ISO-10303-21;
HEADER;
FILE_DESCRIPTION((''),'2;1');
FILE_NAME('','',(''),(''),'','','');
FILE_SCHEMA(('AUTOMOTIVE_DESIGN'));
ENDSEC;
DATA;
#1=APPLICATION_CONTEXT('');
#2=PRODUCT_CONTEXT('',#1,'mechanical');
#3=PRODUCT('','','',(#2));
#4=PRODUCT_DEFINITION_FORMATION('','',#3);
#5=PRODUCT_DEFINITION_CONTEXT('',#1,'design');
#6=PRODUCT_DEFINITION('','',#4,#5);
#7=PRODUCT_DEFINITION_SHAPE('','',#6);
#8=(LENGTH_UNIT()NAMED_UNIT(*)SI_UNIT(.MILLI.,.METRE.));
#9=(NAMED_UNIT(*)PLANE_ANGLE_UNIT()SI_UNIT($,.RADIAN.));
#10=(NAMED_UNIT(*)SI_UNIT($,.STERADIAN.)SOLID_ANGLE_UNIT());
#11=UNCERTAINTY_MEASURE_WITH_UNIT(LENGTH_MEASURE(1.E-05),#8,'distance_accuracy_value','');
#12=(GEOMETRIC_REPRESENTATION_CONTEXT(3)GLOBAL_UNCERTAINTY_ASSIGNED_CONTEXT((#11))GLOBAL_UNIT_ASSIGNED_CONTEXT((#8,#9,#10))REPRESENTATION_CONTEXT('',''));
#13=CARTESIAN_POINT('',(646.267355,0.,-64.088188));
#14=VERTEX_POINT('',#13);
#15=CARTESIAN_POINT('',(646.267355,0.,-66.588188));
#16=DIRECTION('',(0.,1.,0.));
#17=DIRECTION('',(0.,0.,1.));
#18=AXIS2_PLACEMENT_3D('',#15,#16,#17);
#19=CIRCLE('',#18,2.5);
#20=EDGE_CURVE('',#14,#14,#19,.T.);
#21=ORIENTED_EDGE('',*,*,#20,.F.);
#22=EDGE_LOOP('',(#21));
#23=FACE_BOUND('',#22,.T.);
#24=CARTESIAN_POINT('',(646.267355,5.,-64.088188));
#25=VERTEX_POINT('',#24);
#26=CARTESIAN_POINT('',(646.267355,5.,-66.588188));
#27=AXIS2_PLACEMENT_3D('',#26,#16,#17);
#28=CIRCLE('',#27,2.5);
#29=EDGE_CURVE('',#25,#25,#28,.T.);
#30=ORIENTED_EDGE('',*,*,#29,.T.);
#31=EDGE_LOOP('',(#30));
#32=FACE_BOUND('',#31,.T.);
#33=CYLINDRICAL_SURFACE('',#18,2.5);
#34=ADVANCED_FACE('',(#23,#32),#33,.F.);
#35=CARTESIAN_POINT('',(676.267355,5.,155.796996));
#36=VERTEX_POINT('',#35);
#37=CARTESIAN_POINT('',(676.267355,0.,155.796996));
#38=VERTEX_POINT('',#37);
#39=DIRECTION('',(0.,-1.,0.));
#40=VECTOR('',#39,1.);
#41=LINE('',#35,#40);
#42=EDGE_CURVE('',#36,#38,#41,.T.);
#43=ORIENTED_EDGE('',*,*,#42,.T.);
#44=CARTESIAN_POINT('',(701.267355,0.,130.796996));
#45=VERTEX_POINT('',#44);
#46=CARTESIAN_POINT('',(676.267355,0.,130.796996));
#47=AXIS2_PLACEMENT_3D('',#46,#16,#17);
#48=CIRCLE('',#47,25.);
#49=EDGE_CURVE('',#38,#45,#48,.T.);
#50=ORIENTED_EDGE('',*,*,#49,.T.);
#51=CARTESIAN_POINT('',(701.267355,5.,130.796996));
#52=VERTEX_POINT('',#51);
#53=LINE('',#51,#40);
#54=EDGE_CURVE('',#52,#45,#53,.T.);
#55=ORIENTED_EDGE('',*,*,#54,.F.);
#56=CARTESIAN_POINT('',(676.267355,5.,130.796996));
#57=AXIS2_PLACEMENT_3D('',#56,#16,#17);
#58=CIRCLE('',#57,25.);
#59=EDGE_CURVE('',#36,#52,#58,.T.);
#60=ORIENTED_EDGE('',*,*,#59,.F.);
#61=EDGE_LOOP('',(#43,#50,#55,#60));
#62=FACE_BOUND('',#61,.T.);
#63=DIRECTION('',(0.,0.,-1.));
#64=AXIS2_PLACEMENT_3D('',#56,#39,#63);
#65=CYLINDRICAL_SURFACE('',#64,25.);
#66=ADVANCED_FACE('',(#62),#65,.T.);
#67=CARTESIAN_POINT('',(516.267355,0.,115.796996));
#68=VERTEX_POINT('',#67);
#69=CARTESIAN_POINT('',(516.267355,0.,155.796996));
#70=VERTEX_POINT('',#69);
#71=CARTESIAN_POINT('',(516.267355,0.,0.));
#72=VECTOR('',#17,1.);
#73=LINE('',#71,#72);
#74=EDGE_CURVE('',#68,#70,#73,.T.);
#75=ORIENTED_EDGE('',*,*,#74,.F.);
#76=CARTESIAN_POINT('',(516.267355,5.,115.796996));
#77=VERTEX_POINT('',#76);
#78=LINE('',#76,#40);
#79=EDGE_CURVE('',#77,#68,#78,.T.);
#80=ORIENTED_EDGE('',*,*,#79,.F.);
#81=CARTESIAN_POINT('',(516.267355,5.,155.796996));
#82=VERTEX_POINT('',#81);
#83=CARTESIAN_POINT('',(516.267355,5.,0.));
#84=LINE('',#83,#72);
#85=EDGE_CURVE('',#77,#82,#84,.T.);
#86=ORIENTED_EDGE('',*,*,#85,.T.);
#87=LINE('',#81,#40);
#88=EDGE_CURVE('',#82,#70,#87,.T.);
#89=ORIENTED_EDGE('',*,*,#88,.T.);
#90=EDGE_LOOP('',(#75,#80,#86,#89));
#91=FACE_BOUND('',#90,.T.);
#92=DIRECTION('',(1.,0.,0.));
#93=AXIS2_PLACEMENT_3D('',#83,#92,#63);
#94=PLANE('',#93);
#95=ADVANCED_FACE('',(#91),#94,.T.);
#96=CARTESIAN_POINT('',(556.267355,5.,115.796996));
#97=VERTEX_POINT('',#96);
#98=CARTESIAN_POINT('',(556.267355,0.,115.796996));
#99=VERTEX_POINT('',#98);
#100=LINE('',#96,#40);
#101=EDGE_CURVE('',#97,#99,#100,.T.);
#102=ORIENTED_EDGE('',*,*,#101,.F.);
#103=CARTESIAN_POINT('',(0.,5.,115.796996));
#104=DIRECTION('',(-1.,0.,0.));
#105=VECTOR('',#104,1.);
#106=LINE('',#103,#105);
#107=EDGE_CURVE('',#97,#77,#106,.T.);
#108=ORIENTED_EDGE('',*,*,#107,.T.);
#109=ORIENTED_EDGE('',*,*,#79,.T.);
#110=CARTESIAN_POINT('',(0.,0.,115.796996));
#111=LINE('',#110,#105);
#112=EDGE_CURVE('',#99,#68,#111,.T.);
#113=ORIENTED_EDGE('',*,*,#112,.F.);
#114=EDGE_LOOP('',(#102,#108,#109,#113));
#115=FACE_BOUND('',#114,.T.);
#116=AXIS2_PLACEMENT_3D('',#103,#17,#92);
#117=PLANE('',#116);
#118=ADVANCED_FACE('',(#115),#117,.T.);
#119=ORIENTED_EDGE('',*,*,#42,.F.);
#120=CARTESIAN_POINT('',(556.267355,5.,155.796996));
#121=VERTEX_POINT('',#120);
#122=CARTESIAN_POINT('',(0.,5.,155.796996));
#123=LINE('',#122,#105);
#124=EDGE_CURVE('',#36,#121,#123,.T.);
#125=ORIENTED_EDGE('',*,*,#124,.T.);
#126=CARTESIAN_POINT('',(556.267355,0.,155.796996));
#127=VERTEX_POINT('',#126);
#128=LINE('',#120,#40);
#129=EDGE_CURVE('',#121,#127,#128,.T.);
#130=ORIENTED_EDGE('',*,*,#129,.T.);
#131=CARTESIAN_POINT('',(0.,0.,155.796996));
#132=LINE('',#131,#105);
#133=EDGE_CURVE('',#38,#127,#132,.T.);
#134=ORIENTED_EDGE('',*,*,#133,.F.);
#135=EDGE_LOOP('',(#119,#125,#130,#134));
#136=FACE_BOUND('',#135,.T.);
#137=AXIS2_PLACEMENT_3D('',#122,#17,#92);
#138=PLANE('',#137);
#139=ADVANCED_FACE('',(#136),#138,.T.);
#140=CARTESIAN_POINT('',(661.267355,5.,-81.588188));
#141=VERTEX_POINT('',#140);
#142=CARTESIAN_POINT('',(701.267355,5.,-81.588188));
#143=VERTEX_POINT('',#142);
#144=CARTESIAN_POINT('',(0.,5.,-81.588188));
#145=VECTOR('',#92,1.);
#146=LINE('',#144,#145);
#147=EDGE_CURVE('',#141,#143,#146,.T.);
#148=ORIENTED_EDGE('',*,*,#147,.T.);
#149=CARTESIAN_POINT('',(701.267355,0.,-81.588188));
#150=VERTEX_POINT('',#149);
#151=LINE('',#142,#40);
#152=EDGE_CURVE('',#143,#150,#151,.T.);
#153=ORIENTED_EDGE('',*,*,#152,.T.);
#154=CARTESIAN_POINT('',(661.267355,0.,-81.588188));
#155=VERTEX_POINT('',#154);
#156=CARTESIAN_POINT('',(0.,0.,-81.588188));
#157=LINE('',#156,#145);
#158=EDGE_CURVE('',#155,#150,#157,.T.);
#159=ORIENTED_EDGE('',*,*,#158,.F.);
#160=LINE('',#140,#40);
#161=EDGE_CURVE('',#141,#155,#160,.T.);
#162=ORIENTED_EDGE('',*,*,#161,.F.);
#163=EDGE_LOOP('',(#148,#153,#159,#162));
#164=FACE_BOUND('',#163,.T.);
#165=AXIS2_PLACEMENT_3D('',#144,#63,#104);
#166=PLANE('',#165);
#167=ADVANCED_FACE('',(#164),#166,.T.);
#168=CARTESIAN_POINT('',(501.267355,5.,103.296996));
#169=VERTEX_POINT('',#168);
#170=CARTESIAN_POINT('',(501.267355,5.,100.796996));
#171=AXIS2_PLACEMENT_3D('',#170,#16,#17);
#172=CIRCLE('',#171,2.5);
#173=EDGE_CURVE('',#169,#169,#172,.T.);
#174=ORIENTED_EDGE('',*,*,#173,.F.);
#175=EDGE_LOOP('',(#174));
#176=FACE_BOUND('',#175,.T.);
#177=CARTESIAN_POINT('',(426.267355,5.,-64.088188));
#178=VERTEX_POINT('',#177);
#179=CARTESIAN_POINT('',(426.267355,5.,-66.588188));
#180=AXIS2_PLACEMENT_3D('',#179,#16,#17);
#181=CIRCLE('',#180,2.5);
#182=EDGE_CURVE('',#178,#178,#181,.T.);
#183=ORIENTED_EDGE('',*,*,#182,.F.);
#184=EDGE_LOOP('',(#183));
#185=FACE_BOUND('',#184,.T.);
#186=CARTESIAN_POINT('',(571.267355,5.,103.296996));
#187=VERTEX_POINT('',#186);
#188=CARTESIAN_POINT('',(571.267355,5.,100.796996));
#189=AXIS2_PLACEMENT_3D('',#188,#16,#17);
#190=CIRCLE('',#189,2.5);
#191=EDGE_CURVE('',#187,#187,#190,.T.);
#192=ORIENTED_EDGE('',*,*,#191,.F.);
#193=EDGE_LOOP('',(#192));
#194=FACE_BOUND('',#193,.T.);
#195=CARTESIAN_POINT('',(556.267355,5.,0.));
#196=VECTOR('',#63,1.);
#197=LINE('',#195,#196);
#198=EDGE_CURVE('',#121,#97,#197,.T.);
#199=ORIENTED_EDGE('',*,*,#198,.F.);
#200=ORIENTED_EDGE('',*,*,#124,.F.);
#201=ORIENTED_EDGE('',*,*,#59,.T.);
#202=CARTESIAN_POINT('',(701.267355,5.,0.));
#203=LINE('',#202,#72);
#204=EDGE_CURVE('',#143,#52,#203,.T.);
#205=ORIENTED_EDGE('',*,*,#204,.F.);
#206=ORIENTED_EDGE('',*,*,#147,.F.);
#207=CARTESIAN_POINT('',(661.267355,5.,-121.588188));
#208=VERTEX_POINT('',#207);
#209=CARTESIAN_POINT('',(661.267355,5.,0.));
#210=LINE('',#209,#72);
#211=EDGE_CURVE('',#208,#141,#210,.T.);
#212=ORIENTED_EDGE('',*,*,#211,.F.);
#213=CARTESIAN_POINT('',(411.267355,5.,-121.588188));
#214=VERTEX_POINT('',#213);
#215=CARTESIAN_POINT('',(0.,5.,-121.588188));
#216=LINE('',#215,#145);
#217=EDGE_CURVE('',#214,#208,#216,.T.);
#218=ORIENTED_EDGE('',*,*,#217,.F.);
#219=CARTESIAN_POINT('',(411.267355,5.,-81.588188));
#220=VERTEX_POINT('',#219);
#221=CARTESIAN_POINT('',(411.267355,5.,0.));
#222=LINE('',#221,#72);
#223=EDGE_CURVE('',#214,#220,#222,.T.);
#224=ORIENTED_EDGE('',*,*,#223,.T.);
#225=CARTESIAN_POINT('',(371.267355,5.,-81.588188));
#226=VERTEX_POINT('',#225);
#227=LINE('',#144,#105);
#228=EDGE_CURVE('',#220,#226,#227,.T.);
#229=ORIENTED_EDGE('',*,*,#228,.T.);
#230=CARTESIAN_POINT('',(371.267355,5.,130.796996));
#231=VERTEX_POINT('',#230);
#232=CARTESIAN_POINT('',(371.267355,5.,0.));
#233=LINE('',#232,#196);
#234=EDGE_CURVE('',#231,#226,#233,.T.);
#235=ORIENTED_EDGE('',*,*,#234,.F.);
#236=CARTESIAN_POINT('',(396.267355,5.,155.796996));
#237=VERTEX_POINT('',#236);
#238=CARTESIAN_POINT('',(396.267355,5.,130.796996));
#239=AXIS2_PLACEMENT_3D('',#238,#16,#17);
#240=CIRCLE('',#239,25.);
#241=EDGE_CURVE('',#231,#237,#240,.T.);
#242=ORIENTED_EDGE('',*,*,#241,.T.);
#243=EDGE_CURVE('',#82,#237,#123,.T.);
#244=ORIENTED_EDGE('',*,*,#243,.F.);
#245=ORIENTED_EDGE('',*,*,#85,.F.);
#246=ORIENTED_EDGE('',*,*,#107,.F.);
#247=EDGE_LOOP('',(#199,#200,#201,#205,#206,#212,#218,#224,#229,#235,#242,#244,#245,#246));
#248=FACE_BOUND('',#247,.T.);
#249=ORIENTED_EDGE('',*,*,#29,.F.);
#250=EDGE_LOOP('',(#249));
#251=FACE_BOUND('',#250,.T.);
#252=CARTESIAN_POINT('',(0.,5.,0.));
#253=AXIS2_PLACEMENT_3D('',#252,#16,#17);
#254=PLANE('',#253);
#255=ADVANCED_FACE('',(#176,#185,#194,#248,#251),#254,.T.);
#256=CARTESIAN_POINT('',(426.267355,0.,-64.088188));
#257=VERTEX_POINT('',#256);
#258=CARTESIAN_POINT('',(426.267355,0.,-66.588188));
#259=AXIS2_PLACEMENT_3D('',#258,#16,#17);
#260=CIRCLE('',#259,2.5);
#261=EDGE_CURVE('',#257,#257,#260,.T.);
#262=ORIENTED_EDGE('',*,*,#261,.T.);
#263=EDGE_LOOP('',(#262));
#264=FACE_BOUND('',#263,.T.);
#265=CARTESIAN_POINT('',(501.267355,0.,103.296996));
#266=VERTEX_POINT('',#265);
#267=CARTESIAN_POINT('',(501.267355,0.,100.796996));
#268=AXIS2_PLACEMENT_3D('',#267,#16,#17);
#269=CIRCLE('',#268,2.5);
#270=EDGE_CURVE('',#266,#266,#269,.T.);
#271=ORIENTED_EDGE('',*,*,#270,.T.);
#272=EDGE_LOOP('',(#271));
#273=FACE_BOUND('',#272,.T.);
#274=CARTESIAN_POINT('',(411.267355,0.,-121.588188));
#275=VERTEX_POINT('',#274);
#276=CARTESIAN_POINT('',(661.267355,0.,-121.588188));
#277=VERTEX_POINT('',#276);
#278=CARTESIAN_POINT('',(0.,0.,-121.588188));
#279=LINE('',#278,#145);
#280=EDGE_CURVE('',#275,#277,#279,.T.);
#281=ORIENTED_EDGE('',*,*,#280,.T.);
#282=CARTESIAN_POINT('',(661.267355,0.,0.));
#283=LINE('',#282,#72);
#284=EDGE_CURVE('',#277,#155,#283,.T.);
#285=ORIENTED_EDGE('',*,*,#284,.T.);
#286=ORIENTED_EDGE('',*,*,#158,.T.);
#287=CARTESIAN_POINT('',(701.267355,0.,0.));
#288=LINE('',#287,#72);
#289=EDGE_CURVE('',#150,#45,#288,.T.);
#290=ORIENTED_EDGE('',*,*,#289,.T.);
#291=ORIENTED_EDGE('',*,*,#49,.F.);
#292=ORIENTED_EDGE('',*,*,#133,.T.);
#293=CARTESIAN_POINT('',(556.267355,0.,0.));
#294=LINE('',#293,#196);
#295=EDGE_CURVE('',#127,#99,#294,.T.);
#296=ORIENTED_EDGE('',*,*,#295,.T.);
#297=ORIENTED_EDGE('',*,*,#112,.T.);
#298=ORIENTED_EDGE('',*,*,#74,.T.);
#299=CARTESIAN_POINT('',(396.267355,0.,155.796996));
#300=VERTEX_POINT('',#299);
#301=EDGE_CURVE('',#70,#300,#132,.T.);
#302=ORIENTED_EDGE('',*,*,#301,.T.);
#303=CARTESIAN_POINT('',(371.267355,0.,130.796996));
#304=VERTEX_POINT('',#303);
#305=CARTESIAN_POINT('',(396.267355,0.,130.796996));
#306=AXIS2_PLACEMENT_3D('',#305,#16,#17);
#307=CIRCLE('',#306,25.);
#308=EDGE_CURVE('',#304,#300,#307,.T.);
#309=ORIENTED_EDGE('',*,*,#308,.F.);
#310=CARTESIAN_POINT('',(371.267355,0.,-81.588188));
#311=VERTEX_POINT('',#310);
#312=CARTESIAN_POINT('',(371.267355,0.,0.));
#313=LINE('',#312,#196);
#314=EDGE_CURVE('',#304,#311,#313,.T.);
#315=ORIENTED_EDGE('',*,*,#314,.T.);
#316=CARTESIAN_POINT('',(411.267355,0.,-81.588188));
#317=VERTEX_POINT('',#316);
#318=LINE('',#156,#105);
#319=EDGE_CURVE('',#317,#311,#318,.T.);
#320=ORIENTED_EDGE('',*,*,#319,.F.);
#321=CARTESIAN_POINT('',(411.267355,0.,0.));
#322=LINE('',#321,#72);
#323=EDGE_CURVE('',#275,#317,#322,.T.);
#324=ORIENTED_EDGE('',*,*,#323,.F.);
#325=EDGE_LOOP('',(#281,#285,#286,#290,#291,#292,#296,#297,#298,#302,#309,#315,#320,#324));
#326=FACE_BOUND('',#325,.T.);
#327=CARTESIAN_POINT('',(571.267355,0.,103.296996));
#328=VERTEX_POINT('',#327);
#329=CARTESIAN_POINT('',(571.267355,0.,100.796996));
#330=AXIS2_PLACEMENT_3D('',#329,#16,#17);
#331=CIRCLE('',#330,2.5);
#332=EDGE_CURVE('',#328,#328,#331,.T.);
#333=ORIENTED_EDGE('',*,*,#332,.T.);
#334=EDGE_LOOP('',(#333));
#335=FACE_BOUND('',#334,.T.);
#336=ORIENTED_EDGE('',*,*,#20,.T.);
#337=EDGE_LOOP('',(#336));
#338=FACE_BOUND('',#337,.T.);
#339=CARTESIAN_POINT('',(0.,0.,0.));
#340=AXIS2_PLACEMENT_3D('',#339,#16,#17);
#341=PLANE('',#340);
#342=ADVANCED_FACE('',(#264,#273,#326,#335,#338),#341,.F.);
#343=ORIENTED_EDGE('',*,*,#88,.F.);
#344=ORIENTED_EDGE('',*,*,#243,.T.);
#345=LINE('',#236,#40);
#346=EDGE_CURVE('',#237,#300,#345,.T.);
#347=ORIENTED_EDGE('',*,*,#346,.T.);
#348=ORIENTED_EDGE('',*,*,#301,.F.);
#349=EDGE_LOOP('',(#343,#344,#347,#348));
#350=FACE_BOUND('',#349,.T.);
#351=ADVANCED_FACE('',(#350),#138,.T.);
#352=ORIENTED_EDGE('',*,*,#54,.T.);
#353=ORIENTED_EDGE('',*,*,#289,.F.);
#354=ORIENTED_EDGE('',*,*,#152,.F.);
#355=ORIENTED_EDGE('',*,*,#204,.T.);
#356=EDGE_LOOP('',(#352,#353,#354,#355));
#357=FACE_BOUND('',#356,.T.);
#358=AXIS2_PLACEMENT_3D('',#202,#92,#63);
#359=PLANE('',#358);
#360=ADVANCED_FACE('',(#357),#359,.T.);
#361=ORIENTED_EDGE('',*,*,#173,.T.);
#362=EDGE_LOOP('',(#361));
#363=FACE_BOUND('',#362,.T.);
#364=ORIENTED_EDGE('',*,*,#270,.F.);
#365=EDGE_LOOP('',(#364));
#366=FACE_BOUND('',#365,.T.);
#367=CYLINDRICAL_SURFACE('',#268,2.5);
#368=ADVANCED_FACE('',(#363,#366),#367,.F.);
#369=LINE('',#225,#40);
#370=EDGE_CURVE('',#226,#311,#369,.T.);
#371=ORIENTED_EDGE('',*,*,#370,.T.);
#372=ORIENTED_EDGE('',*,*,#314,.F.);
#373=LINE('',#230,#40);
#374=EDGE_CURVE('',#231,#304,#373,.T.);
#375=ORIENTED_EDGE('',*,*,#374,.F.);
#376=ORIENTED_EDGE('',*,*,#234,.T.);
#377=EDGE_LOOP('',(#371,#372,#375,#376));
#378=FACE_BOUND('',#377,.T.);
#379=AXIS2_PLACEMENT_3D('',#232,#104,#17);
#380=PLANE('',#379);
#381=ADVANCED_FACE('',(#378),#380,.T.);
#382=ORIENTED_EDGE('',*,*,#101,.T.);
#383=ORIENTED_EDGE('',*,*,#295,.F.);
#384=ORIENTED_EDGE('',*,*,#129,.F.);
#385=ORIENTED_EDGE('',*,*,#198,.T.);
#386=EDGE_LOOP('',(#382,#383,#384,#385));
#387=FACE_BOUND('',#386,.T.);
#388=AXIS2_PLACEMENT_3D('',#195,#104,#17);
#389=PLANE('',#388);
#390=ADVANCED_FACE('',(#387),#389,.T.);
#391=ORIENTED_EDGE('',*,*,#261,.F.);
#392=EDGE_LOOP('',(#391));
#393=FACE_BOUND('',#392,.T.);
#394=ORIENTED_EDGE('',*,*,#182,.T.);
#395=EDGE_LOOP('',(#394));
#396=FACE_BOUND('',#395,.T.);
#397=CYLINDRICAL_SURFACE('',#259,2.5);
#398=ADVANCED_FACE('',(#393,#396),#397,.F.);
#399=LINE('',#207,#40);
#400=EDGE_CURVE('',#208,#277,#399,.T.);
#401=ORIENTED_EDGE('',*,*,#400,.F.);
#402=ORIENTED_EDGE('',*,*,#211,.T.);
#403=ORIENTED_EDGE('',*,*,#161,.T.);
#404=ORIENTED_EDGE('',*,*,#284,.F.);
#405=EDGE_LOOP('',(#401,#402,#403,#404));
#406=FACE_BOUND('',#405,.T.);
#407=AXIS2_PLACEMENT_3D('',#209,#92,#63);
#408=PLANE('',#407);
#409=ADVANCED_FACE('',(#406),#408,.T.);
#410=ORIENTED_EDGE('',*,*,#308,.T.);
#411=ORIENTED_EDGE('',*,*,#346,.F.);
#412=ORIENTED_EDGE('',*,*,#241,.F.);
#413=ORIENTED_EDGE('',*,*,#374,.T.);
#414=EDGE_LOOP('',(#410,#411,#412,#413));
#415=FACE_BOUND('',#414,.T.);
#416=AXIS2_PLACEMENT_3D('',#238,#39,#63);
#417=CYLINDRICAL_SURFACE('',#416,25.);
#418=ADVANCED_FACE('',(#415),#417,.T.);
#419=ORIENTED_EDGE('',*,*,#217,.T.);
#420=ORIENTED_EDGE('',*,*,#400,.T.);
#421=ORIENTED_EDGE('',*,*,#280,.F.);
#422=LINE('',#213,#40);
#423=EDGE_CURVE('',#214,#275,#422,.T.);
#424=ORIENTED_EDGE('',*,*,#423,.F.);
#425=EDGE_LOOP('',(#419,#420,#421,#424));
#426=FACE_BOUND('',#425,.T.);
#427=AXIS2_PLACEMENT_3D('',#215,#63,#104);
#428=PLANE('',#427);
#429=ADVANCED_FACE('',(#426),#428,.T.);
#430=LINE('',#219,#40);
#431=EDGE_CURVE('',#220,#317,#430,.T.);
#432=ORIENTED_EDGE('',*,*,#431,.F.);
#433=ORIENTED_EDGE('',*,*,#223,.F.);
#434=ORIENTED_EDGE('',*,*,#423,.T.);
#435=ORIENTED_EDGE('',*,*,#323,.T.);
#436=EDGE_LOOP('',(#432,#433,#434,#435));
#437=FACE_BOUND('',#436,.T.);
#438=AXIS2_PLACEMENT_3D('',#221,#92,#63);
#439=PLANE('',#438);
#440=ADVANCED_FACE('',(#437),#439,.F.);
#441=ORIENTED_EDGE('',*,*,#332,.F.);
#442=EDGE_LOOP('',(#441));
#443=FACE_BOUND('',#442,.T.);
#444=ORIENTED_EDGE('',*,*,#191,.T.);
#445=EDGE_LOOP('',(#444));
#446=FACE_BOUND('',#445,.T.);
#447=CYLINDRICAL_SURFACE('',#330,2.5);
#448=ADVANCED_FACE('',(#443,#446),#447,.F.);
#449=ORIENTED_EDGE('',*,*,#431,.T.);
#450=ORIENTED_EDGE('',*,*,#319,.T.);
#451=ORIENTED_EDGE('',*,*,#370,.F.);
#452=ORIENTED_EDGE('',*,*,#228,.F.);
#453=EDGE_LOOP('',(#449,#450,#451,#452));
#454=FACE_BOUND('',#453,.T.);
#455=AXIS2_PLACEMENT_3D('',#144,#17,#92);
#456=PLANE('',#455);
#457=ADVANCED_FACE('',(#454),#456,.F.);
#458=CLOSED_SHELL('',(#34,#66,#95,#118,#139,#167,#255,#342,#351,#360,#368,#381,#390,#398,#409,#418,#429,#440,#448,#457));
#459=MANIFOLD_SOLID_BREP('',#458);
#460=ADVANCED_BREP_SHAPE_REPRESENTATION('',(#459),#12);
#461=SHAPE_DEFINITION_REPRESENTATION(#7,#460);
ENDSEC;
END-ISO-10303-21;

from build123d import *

# Parameters (mm, degrees)
RESSALTO_EXTRUS_O4_DEPTH = 5
ESBO_O2_R                = 2.5
CORTE_EXTRUS_O1_DEPTH    = 5


with BuildPart() as part:
    # Esboço1 → Ressalto-extrusão4 (new body)
    with BuildSketch(Plane(origin=(0, 0, 0), x_dir=(1, 0, 0), z_dir=(0, 1, 0))):
        with BuildLine():
            Line((516.267355398, -155.796995794), (396.267355398, -155.796995794))
            ThreePointArc((396.267355398, -155.796995794), (378.589685869, -148.474665324), (371.267355398, -130.796995794))
            Line((371.267355398, -130.796995794), (371.267355398, 81.588187759))
            Line((371.267355398, 81.588187759), (411.267355398, 81.588187759))
            Line((411.267355398, 81.588187759), (411.267355398, 121.588187759))
            Line((411.267355398, 121.588187759), (661.267355398, 121.588187759))
            Line((661.267355398, 121.588187759), (661.267355398, 81.588187759))
            Line((661.267355398, 81.588187759), (701.267355398, 81.588187759))
            Line((701.267355398, 81.588187759), (701.267355398, -130.796995794))
            ThreePointArc((701.267355398, -130.796995794), (693.945024928, -148.474665324), (676.267355398, -155.796995794))
            Line((676.267355398, -155.796995794), (556.267355398, -155.796995794))
            Line((556.267355398, -155.796995794), (556.267355398, -115.796995794))
            Line((556.267355398, -115.796995794), (516.267355398, -115.796995794))
            Line((516.267355398, -115.796995794), (516.267355398, -155.796995794))
        make_face()
    extrude(amount=RESSALTO_EXTRUS_O4_DEPTH)

    # Esboço2 → Corte-extrusão1 (cut)
    with BuildSketch(Plane(origin=(0, 5, 0), x_dir=(1, 0, 0), z_dir=(0, 1, 0))):
        with Locations(Location((571.267355398, -100.796995794, 0), (0, 0, 270))):
            Circle(ESBO_O2_R)
        with Locations(Location((501.267355398, -100.796995794, 0), (0, 0, 270))):
            Circle(ESBO_O2_R)
        with Locations(Location((646.267355398, 66.588187759, 0), (0, 0, 270))):
            Circle(ESBO_O2_R)
        with Locations(Location((426.267355398, 66.588187759, 0), (0, 0, 270))):
            Circle(ESBO_O2_R)
    extrude(amount=-CORTE_EXTRUS_O1_DEPTH, mode=Mode.SUBTRACT)


solid = part.part
